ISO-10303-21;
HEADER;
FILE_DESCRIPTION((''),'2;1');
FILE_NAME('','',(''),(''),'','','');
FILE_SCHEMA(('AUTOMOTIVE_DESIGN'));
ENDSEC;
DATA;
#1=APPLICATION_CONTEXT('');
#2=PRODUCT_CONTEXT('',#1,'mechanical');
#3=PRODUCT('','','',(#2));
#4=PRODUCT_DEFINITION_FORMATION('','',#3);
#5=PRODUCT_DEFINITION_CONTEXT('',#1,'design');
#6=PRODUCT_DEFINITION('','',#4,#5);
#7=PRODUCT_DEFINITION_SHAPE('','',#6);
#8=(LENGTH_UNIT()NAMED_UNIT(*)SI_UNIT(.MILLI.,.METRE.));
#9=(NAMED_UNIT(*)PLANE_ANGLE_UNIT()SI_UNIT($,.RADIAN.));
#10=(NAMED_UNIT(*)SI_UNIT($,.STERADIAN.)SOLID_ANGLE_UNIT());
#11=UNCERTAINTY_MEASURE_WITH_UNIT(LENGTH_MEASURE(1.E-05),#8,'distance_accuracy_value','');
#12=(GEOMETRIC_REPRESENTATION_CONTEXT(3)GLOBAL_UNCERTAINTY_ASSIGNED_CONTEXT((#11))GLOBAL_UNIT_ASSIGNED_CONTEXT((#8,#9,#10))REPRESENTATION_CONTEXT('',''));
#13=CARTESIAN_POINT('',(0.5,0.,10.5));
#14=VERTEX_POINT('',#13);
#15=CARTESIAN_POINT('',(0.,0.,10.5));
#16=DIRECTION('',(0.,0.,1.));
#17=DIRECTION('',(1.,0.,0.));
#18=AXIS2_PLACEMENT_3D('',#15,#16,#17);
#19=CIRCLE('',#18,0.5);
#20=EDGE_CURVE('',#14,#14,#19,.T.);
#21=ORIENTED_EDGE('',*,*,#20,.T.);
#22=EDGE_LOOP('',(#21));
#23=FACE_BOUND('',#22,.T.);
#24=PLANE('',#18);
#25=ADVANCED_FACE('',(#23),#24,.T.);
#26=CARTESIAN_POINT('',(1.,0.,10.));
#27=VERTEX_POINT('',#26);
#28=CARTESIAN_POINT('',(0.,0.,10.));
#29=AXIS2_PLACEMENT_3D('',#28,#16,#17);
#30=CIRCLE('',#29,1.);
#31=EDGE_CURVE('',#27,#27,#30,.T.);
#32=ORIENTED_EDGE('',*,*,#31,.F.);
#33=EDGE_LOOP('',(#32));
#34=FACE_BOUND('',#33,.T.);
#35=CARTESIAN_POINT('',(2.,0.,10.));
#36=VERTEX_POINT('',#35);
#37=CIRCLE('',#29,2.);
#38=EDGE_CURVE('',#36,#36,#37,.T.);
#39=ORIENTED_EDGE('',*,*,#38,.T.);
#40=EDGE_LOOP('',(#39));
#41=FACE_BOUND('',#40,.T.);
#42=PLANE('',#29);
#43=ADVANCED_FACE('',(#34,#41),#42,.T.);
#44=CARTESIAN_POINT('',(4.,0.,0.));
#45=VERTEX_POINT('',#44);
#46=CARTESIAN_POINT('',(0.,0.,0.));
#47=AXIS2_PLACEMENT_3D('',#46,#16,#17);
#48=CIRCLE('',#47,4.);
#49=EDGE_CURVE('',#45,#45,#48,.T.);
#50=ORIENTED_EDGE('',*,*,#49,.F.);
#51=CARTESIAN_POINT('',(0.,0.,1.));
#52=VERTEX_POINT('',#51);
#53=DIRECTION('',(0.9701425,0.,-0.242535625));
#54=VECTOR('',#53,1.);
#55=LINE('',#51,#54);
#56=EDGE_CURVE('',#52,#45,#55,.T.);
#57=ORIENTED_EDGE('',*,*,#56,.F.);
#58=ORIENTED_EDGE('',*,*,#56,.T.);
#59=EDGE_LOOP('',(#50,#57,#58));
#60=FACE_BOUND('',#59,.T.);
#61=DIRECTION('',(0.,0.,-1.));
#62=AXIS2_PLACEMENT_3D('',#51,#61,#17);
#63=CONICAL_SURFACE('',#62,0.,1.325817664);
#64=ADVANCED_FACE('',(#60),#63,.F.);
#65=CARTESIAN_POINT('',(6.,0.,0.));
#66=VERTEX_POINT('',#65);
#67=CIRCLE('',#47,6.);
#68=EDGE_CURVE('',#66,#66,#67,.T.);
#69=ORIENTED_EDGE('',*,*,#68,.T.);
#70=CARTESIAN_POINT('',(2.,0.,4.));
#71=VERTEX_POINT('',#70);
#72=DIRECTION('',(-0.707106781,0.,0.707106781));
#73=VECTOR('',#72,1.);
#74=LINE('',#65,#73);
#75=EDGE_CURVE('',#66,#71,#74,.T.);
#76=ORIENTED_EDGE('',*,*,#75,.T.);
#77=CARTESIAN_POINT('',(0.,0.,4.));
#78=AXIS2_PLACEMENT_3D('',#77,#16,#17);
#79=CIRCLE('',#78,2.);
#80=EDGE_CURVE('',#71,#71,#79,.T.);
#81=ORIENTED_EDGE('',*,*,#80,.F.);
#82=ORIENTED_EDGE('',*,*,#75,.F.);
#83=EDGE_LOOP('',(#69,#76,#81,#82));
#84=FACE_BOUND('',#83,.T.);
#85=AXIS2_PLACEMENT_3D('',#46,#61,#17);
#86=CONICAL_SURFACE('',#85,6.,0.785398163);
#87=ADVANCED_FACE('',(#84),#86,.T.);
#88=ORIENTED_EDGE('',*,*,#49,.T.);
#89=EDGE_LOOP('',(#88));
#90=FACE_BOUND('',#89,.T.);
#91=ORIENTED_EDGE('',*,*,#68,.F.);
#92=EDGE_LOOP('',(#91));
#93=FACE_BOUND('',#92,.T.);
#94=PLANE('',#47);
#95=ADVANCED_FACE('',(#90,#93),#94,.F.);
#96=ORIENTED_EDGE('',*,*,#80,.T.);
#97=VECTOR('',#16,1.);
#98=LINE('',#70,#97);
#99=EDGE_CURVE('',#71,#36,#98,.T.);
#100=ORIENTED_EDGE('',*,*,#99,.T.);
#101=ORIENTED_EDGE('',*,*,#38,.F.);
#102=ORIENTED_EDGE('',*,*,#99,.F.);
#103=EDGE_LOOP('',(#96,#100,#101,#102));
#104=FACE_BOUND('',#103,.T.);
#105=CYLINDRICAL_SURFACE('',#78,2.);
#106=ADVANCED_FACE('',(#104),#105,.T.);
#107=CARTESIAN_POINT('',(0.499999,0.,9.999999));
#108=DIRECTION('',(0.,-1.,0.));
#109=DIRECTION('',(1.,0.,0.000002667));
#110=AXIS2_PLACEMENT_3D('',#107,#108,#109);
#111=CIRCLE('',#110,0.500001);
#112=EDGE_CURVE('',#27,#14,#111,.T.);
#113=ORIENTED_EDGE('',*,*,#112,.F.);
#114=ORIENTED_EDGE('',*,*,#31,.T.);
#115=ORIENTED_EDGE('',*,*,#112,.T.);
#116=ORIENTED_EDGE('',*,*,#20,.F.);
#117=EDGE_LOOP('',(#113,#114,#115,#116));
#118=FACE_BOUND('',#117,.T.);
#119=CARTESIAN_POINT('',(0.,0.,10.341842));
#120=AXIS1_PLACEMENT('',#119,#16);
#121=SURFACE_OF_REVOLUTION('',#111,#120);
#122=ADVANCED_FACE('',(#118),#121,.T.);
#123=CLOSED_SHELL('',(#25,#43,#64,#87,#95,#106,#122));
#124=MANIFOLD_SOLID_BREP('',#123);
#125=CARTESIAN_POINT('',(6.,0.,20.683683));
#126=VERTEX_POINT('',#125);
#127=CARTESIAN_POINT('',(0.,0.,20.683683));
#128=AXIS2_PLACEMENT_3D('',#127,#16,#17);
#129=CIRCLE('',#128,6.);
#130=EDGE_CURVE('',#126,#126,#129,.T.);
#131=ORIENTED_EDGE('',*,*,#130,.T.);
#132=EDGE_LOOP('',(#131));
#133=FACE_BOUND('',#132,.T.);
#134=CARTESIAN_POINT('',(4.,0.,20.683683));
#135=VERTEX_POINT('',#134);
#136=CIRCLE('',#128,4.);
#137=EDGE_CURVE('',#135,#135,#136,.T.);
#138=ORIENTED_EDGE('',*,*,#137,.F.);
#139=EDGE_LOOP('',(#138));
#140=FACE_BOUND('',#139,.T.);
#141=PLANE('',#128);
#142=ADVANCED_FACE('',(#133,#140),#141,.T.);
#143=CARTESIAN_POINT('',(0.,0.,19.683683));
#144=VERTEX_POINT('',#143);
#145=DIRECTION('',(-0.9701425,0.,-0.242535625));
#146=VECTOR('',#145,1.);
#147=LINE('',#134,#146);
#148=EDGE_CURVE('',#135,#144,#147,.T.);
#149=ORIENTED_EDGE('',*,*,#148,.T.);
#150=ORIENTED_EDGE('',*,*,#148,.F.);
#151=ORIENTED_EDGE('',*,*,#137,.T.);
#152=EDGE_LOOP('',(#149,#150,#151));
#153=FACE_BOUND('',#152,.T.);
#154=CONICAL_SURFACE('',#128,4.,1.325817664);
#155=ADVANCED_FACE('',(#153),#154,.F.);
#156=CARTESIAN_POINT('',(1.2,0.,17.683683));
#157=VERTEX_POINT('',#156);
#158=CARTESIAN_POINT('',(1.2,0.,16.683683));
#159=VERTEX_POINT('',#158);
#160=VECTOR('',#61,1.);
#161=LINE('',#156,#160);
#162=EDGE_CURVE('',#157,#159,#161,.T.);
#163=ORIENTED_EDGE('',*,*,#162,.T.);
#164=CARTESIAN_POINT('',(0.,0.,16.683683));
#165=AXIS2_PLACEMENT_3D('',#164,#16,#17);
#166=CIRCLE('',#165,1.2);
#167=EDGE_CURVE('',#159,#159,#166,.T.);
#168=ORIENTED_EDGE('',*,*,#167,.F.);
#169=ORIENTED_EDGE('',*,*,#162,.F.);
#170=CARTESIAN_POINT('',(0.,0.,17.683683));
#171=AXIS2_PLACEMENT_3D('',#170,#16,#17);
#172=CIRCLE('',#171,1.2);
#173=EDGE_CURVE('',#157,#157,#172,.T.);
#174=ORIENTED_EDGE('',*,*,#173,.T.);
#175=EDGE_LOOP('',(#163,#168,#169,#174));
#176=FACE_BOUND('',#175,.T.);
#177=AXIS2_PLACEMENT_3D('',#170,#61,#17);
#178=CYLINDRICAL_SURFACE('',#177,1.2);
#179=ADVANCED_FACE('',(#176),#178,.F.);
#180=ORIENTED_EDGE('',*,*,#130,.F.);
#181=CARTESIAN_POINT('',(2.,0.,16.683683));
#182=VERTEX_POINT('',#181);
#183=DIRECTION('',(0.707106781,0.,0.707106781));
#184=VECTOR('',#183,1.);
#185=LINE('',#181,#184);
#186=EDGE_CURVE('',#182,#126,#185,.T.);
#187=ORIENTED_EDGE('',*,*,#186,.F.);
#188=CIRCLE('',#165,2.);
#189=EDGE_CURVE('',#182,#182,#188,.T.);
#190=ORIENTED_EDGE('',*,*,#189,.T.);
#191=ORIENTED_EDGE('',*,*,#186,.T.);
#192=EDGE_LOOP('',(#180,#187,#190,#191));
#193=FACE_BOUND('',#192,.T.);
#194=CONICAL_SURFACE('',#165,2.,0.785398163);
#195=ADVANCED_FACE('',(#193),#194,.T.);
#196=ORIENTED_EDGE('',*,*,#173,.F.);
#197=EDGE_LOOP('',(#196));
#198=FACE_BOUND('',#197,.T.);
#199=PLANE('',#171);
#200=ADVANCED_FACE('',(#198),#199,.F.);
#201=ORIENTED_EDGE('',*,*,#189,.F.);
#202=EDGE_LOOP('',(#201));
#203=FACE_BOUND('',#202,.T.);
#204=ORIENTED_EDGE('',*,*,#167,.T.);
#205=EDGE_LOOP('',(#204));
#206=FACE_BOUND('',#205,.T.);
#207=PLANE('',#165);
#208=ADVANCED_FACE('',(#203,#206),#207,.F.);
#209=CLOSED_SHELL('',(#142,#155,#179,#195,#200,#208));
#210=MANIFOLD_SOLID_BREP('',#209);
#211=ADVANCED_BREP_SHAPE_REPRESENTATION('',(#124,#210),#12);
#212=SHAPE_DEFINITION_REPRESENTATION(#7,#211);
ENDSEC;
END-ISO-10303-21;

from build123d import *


with BuildPart() as f1:
    # F0 (on Front) → F1 (revolve)
    with BuildSketch(Plane.XZ):
        with BuildLine():
            Line((0, 1), (4, 0))
            Line((4, 0), (6, 0))
            Line((6, 0), (2, 4))
            Line((2, 4), (2, 10))
            Line((2, 10), (1, 10))
            ThreePointArc((1, 10), (0.853553, 10.353553), (0.5, 10.5))
            Line((0.5, 10.5), (0, 10.5))
            Line((0, 10.5), (0, 1))
        make_face()
        Polygon((1.2, 17.683683), (1.2, 16.683683), (2, 16.683683), (6, 20.683683), (4, 20.683683), (0, 19.683683), (0, 17.683683), align=None)
    revolve(axis=Axis((0, 0, 10.341842), (0, 0, 1)))


solid = f1.part
